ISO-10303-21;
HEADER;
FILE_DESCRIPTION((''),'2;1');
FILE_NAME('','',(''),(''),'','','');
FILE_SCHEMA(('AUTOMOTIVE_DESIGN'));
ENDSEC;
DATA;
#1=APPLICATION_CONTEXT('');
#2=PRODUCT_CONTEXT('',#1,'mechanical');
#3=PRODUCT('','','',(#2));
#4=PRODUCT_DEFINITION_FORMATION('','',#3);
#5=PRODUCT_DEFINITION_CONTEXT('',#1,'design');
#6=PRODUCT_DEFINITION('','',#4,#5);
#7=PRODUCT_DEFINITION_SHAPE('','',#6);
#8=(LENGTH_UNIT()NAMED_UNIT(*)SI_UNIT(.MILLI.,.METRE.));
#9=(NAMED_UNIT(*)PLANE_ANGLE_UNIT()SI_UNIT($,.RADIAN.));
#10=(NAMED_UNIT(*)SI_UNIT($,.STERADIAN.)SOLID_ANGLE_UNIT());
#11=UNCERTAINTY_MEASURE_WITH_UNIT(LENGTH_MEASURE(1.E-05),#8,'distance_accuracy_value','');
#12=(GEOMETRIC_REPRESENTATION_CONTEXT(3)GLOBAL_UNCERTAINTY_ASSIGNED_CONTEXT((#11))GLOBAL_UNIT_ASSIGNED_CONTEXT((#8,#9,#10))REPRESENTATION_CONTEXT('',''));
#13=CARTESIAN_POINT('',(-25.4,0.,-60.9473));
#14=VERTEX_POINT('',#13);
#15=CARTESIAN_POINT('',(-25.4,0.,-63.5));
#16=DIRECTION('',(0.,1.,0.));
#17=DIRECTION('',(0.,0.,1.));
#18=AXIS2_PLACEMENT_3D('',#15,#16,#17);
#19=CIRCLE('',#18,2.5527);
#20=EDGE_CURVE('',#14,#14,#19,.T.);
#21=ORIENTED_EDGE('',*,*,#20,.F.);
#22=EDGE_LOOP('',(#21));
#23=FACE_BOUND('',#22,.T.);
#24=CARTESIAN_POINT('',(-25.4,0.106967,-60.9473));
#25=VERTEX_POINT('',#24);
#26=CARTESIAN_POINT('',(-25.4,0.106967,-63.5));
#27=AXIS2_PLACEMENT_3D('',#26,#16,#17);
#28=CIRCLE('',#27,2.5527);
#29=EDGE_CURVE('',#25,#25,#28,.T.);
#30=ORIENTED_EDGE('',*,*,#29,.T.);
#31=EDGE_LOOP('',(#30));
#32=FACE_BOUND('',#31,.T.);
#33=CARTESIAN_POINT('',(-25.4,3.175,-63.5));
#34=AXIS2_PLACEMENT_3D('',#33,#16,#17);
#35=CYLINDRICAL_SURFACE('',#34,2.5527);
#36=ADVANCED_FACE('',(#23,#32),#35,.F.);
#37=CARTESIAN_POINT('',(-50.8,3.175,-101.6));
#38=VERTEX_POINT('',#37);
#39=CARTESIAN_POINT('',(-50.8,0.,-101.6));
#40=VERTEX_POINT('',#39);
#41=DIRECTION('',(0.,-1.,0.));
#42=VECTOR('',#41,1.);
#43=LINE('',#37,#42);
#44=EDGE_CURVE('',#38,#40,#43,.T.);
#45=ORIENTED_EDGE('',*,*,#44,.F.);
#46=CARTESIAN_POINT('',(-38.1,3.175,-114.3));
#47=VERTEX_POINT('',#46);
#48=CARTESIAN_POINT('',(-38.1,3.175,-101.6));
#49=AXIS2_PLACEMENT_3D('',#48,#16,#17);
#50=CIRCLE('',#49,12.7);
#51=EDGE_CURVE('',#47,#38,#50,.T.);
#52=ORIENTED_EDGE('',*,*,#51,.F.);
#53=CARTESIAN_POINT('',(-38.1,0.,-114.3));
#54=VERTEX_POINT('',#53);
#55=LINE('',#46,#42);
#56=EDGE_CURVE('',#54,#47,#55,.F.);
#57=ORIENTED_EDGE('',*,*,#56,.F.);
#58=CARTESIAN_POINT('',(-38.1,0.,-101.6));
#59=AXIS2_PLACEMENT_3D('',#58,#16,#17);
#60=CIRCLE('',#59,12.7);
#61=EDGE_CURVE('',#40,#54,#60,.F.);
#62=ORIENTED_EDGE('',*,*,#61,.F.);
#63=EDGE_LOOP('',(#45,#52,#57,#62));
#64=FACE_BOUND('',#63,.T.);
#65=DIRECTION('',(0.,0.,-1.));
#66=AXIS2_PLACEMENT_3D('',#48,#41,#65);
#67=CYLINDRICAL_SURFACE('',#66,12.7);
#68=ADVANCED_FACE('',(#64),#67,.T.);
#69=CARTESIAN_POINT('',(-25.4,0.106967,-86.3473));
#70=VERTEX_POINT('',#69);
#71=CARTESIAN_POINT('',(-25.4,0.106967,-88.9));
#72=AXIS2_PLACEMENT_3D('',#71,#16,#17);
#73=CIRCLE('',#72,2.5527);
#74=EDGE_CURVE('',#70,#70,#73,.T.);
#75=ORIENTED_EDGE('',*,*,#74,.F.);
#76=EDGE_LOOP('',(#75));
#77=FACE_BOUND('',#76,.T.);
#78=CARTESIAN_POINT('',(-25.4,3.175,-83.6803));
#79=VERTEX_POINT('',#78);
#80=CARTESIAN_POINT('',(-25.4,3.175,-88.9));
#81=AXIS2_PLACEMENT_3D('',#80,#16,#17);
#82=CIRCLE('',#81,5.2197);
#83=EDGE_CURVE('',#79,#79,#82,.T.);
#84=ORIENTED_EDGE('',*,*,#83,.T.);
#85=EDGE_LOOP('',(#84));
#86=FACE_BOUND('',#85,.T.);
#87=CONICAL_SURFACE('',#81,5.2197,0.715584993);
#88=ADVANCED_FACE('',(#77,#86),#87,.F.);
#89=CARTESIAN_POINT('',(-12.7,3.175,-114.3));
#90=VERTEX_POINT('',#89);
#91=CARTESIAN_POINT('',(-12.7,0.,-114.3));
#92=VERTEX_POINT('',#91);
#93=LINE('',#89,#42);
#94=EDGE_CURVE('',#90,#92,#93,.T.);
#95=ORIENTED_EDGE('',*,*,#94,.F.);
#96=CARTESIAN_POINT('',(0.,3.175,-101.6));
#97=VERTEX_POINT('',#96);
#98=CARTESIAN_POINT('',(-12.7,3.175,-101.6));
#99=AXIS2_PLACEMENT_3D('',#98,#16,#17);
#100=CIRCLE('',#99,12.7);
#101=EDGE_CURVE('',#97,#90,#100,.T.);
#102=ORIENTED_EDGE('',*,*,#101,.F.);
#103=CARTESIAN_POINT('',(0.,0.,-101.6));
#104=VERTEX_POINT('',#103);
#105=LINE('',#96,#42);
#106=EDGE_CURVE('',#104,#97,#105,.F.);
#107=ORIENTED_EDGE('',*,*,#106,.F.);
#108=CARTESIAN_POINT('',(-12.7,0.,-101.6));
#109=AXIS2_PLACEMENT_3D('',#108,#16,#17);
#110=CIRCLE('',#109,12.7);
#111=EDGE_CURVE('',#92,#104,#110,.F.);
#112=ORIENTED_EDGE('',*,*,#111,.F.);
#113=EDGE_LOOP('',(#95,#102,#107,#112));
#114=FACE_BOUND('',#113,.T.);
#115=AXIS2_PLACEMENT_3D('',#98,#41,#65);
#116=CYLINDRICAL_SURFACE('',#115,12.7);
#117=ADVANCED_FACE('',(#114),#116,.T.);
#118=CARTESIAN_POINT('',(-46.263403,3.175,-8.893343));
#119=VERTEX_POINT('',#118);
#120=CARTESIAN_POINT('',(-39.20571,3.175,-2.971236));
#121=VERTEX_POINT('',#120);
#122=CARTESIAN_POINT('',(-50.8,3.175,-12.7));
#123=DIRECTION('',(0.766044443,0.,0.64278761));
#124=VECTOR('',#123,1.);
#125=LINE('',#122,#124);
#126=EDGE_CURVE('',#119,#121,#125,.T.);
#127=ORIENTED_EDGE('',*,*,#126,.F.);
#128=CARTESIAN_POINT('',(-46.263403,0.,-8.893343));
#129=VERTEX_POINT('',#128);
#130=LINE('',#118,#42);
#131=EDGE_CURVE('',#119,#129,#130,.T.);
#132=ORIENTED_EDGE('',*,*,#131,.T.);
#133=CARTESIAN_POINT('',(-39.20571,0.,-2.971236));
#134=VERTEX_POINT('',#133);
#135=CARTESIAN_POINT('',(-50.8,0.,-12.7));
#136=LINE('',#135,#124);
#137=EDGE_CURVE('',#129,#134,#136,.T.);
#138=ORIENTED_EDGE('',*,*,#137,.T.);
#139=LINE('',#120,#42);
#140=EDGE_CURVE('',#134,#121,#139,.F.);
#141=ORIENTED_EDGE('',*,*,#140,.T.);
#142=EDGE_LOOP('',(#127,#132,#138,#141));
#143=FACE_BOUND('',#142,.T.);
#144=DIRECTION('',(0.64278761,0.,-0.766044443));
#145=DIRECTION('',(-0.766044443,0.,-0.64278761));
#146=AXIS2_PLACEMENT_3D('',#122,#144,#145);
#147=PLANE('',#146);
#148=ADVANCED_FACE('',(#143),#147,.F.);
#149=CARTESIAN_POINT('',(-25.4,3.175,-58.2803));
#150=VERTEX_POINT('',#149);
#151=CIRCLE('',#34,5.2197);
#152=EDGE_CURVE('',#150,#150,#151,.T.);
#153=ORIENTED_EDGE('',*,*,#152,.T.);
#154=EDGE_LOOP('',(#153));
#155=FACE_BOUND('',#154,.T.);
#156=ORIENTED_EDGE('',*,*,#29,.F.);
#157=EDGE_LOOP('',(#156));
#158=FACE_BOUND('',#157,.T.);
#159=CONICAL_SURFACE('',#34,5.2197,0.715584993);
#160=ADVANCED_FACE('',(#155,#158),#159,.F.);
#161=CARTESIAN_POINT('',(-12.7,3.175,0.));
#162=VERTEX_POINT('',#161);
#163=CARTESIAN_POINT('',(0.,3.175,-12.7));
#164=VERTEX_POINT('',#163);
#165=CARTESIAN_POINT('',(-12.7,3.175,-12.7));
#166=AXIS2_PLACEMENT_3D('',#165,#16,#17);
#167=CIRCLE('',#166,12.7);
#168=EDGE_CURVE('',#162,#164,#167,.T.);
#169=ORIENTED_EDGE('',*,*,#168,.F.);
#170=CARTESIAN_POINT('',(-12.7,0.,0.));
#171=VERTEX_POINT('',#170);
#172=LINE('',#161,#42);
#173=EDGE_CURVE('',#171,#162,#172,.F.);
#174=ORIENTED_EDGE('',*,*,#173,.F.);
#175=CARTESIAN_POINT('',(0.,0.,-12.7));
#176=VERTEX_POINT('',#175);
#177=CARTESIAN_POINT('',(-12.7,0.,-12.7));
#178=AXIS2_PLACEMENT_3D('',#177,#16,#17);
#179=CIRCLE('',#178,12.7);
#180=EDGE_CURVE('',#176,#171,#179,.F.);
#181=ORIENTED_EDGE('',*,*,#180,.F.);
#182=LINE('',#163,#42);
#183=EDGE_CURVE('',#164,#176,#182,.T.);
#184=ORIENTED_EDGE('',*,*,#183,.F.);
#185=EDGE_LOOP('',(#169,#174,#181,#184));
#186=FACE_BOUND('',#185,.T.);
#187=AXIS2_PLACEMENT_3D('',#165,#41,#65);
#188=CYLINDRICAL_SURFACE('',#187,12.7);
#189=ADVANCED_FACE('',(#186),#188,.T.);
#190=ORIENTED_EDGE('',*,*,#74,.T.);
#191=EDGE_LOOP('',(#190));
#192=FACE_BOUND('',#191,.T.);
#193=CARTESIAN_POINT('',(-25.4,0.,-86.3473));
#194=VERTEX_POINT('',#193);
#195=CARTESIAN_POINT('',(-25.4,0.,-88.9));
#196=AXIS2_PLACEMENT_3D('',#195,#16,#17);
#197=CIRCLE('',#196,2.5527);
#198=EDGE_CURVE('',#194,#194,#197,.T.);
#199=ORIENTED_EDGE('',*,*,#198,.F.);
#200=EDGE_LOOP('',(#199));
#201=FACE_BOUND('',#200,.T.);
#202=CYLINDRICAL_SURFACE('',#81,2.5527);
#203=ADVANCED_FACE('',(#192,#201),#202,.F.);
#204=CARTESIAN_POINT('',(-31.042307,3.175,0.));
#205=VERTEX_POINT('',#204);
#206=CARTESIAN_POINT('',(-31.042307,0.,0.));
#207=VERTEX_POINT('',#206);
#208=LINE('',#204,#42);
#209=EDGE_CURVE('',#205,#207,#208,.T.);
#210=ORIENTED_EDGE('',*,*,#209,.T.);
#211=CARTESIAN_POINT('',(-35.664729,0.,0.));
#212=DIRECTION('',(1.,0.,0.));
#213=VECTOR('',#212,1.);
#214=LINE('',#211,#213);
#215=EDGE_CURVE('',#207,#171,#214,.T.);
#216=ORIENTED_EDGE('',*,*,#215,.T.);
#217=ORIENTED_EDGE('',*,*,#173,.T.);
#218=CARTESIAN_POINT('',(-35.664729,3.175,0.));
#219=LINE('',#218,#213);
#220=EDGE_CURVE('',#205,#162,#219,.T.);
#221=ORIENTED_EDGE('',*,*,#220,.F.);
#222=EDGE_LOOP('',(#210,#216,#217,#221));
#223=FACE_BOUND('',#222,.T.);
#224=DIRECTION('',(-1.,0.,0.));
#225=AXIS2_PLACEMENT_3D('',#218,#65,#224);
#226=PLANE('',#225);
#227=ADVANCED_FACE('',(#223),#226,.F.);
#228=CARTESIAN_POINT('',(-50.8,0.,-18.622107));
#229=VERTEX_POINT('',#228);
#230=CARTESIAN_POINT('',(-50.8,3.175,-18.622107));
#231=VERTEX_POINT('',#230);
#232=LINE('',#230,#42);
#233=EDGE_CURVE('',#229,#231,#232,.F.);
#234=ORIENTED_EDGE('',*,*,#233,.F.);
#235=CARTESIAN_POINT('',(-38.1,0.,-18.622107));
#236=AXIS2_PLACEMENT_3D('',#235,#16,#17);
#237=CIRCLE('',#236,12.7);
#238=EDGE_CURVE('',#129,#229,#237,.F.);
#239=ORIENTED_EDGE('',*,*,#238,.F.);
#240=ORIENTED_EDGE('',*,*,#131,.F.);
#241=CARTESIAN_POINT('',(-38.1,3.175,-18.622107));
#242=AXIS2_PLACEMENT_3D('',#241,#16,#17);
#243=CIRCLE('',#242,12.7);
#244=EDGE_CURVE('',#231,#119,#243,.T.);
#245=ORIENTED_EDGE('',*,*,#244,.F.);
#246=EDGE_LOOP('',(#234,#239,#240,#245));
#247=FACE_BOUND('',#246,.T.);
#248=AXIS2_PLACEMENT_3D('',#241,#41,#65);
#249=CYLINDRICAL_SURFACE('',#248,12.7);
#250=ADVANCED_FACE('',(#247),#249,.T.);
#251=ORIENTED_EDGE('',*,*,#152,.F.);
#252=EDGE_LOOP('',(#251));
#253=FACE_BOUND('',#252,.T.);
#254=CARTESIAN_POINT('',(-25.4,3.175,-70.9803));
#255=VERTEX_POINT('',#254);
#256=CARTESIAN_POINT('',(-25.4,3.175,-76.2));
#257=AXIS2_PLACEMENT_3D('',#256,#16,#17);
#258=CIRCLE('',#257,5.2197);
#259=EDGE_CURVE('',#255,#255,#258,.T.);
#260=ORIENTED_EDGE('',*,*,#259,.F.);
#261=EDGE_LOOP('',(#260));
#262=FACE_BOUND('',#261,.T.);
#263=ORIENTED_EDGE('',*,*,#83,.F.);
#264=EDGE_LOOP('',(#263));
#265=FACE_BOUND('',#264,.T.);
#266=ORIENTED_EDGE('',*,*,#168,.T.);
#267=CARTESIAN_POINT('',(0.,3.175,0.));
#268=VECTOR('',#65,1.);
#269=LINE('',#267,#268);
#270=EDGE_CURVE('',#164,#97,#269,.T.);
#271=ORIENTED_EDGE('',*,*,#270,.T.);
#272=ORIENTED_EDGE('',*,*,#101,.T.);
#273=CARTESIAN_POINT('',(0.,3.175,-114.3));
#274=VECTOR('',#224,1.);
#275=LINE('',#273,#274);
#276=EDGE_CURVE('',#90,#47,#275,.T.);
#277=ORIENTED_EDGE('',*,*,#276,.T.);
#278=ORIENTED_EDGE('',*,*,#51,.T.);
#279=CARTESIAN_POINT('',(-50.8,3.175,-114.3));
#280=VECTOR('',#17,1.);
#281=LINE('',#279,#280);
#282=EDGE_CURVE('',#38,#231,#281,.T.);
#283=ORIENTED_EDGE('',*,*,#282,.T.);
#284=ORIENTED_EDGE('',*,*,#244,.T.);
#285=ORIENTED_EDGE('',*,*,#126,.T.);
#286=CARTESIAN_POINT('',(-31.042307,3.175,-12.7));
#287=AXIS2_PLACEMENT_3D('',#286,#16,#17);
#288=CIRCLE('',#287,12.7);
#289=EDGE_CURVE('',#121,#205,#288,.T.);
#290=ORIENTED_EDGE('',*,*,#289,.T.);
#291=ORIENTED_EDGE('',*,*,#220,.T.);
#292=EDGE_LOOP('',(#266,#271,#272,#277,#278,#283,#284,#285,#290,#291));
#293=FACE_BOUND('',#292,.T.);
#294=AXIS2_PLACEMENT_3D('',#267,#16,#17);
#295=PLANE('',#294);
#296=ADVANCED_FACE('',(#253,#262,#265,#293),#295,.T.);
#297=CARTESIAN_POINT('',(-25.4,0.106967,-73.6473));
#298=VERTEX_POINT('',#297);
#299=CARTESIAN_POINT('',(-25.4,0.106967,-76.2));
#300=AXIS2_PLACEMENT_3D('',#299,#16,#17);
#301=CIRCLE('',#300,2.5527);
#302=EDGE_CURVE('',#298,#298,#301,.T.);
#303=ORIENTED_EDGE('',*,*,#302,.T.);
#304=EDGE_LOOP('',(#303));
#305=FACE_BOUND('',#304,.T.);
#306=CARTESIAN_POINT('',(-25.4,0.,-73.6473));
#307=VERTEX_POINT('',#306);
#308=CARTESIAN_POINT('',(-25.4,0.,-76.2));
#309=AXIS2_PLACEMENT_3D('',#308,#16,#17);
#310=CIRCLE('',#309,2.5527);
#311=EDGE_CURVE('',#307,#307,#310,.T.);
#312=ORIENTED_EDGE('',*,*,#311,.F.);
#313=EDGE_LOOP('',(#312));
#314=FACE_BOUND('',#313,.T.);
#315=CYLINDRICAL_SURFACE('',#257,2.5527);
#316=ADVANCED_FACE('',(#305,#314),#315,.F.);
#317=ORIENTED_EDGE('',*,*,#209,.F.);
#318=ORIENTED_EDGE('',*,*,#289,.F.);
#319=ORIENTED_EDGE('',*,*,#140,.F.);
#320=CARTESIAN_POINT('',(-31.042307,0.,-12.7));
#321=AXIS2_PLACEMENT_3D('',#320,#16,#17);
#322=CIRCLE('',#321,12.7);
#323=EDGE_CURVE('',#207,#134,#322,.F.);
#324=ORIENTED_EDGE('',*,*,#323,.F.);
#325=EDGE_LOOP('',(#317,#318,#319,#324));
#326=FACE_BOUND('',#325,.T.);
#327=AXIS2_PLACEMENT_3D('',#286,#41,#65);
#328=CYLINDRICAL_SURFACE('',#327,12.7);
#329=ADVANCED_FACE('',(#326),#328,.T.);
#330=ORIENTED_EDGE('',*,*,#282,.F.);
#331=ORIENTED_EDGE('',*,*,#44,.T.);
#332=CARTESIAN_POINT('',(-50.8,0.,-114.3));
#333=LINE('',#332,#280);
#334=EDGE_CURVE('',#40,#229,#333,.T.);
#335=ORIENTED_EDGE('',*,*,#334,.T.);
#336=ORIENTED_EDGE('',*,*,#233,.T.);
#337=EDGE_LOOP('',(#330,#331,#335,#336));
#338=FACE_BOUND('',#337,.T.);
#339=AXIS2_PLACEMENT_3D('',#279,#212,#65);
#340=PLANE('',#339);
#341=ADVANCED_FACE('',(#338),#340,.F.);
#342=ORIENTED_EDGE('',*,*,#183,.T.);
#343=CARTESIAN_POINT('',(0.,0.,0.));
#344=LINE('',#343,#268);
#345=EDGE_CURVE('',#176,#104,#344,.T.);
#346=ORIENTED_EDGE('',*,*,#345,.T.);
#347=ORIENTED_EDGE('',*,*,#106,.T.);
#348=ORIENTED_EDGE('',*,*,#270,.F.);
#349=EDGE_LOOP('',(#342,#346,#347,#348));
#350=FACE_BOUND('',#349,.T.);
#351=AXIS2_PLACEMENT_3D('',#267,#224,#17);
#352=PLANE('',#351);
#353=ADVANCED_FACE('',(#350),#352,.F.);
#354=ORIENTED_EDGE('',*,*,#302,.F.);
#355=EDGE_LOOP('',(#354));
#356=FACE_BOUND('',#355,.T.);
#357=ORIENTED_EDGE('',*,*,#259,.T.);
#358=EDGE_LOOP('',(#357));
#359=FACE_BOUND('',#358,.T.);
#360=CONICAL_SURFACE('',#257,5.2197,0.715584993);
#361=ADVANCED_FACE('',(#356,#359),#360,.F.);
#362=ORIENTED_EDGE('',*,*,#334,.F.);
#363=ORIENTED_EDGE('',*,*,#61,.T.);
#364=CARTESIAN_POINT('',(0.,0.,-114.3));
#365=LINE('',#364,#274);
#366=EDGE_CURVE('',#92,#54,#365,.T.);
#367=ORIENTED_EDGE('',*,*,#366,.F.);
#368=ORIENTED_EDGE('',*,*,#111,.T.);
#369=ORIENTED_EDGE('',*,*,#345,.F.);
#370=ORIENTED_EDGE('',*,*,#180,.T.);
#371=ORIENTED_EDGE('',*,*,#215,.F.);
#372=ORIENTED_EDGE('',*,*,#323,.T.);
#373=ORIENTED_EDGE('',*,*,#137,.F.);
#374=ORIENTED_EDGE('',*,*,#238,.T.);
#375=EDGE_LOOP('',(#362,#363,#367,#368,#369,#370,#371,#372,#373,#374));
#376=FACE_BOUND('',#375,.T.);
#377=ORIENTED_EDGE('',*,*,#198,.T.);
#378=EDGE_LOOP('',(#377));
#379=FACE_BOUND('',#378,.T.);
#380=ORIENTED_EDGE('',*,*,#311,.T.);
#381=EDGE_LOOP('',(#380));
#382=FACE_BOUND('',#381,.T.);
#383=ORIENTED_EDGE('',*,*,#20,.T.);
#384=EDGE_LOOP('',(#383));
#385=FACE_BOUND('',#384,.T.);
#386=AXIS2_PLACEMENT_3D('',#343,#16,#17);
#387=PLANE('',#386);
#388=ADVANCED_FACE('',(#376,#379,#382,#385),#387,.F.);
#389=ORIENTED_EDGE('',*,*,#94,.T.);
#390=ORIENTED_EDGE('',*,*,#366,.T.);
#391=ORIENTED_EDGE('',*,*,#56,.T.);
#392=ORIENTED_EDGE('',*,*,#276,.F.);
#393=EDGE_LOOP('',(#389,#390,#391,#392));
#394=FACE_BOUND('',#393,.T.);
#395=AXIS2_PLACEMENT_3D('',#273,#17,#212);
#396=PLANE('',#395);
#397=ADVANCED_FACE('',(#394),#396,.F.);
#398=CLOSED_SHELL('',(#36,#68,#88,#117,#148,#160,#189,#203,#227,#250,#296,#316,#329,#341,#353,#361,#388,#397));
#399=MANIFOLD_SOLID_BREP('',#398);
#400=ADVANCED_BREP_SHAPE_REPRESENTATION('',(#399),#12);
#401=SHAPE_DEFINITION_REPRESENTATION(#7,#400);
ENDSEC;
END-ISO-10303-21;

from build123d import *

# Parameters (mm, degrees)
BOSS_EXTRUDE1_DEPTH                         = 3.175
CSK_FOR_10_FLAT_HEAD_SOCKET_CAP_SCR_2_COUNT = 2
CSK_FOR_10_FLAT_HEAD_SOCKET_CAP_SCR_2_PITCH = 12.7
CSK_FOR_10_FLAT_HEAD_SOCKET_CAP_SCR_3_COUNT = 2
CSK_FOR_10_FLAT_HEAD_SOCKET_CAP_SCR_3_PITCH = 12.7
FILLET2_R                                   = 12.7


with BuildPart() as part:
    # Sketch1 → Boss-Extrude1 (new body)
    with BuildSketch(Plane(origin=(0, 0, 0), x_dir=(1, 0, 0), z_dir=(0, 1, 0))):
        Polygon((0, 0), (0, 114.3), (-50.8, 114.3), (-50.8, 12.7), (-35.664729374, 0), align=None)
    extrude(amount=BOSS_EXTRUDE1_DEPTH)

    # Sketch6 → CSK for #10 Flat Head Socket Cap Screw1 (revolve, cut)
    with BuildSketch(Plane(origin=(-25.4, 3.175, -76.2), x_dir=(0, 0, 1), z_dir=(1, 0, 0))):
        Polygon((0, 0), (0, 3.175), (2.5527, 3.175), (2.5527, 3.068032542), (5.2197, 0), align=None)
    csk_for_10_flat_head_socket_cap_screw1 = revolve(axis=Axis((-25.4, 9.525, -76.2), (0, -1, 0)), mode=Mode.SUBTRACT)

    # CSK for _10 Flat Head Socket Cap Scr 2: CSK for #10 Flat Head Socket Cap Screw1 ×2
    with Locations(*[(0, 0, i * CSK_FOR_10_FLAT_HEAD_SOCKET_CAP_SCR_2_PITCH) for i in range(1, CSK_FOR_10_FLAT_HEAD_SOCKET_CAP_SCR_2_COUNT)]):
        add(csk_for_10_flat_head_socket_cap_screw1, mode=Mode.SUBTRACT)

    # CSK for _10 Flat Head Socket Cap Scr 3: CSK for #10 Flat Head Socket Cap Screw1 ×2
    with Locations(*[(0, 0, -i * CSK_FOR_10_FLAT_HEAD_SOCKET_CAP_SCR_3_PITCH) for i in range(1, CSK_FOR_10_FLAT_HEAD_SOCKET_CAP_SCR_3_COUNT)]):
        add(csk_for_10_flat_head_socket_cap_screw1, mode=Mode.SUBTRACT)

    # Fillet2
    fillet2_edges = [part.edges().sort_by_distance(p)[0] for p in [
        (-35.664729374, 1.5875, 0),
        (-50.8, 1.5875, -12.7),
        (-50.8, 1.5875, -114.3),
        (0, 1.5875, -114.3),
        (0, 1.5875, 0),
    ]]
    fillet(fillet2_edges, radius=FILLET2_R)


solid = part.part
